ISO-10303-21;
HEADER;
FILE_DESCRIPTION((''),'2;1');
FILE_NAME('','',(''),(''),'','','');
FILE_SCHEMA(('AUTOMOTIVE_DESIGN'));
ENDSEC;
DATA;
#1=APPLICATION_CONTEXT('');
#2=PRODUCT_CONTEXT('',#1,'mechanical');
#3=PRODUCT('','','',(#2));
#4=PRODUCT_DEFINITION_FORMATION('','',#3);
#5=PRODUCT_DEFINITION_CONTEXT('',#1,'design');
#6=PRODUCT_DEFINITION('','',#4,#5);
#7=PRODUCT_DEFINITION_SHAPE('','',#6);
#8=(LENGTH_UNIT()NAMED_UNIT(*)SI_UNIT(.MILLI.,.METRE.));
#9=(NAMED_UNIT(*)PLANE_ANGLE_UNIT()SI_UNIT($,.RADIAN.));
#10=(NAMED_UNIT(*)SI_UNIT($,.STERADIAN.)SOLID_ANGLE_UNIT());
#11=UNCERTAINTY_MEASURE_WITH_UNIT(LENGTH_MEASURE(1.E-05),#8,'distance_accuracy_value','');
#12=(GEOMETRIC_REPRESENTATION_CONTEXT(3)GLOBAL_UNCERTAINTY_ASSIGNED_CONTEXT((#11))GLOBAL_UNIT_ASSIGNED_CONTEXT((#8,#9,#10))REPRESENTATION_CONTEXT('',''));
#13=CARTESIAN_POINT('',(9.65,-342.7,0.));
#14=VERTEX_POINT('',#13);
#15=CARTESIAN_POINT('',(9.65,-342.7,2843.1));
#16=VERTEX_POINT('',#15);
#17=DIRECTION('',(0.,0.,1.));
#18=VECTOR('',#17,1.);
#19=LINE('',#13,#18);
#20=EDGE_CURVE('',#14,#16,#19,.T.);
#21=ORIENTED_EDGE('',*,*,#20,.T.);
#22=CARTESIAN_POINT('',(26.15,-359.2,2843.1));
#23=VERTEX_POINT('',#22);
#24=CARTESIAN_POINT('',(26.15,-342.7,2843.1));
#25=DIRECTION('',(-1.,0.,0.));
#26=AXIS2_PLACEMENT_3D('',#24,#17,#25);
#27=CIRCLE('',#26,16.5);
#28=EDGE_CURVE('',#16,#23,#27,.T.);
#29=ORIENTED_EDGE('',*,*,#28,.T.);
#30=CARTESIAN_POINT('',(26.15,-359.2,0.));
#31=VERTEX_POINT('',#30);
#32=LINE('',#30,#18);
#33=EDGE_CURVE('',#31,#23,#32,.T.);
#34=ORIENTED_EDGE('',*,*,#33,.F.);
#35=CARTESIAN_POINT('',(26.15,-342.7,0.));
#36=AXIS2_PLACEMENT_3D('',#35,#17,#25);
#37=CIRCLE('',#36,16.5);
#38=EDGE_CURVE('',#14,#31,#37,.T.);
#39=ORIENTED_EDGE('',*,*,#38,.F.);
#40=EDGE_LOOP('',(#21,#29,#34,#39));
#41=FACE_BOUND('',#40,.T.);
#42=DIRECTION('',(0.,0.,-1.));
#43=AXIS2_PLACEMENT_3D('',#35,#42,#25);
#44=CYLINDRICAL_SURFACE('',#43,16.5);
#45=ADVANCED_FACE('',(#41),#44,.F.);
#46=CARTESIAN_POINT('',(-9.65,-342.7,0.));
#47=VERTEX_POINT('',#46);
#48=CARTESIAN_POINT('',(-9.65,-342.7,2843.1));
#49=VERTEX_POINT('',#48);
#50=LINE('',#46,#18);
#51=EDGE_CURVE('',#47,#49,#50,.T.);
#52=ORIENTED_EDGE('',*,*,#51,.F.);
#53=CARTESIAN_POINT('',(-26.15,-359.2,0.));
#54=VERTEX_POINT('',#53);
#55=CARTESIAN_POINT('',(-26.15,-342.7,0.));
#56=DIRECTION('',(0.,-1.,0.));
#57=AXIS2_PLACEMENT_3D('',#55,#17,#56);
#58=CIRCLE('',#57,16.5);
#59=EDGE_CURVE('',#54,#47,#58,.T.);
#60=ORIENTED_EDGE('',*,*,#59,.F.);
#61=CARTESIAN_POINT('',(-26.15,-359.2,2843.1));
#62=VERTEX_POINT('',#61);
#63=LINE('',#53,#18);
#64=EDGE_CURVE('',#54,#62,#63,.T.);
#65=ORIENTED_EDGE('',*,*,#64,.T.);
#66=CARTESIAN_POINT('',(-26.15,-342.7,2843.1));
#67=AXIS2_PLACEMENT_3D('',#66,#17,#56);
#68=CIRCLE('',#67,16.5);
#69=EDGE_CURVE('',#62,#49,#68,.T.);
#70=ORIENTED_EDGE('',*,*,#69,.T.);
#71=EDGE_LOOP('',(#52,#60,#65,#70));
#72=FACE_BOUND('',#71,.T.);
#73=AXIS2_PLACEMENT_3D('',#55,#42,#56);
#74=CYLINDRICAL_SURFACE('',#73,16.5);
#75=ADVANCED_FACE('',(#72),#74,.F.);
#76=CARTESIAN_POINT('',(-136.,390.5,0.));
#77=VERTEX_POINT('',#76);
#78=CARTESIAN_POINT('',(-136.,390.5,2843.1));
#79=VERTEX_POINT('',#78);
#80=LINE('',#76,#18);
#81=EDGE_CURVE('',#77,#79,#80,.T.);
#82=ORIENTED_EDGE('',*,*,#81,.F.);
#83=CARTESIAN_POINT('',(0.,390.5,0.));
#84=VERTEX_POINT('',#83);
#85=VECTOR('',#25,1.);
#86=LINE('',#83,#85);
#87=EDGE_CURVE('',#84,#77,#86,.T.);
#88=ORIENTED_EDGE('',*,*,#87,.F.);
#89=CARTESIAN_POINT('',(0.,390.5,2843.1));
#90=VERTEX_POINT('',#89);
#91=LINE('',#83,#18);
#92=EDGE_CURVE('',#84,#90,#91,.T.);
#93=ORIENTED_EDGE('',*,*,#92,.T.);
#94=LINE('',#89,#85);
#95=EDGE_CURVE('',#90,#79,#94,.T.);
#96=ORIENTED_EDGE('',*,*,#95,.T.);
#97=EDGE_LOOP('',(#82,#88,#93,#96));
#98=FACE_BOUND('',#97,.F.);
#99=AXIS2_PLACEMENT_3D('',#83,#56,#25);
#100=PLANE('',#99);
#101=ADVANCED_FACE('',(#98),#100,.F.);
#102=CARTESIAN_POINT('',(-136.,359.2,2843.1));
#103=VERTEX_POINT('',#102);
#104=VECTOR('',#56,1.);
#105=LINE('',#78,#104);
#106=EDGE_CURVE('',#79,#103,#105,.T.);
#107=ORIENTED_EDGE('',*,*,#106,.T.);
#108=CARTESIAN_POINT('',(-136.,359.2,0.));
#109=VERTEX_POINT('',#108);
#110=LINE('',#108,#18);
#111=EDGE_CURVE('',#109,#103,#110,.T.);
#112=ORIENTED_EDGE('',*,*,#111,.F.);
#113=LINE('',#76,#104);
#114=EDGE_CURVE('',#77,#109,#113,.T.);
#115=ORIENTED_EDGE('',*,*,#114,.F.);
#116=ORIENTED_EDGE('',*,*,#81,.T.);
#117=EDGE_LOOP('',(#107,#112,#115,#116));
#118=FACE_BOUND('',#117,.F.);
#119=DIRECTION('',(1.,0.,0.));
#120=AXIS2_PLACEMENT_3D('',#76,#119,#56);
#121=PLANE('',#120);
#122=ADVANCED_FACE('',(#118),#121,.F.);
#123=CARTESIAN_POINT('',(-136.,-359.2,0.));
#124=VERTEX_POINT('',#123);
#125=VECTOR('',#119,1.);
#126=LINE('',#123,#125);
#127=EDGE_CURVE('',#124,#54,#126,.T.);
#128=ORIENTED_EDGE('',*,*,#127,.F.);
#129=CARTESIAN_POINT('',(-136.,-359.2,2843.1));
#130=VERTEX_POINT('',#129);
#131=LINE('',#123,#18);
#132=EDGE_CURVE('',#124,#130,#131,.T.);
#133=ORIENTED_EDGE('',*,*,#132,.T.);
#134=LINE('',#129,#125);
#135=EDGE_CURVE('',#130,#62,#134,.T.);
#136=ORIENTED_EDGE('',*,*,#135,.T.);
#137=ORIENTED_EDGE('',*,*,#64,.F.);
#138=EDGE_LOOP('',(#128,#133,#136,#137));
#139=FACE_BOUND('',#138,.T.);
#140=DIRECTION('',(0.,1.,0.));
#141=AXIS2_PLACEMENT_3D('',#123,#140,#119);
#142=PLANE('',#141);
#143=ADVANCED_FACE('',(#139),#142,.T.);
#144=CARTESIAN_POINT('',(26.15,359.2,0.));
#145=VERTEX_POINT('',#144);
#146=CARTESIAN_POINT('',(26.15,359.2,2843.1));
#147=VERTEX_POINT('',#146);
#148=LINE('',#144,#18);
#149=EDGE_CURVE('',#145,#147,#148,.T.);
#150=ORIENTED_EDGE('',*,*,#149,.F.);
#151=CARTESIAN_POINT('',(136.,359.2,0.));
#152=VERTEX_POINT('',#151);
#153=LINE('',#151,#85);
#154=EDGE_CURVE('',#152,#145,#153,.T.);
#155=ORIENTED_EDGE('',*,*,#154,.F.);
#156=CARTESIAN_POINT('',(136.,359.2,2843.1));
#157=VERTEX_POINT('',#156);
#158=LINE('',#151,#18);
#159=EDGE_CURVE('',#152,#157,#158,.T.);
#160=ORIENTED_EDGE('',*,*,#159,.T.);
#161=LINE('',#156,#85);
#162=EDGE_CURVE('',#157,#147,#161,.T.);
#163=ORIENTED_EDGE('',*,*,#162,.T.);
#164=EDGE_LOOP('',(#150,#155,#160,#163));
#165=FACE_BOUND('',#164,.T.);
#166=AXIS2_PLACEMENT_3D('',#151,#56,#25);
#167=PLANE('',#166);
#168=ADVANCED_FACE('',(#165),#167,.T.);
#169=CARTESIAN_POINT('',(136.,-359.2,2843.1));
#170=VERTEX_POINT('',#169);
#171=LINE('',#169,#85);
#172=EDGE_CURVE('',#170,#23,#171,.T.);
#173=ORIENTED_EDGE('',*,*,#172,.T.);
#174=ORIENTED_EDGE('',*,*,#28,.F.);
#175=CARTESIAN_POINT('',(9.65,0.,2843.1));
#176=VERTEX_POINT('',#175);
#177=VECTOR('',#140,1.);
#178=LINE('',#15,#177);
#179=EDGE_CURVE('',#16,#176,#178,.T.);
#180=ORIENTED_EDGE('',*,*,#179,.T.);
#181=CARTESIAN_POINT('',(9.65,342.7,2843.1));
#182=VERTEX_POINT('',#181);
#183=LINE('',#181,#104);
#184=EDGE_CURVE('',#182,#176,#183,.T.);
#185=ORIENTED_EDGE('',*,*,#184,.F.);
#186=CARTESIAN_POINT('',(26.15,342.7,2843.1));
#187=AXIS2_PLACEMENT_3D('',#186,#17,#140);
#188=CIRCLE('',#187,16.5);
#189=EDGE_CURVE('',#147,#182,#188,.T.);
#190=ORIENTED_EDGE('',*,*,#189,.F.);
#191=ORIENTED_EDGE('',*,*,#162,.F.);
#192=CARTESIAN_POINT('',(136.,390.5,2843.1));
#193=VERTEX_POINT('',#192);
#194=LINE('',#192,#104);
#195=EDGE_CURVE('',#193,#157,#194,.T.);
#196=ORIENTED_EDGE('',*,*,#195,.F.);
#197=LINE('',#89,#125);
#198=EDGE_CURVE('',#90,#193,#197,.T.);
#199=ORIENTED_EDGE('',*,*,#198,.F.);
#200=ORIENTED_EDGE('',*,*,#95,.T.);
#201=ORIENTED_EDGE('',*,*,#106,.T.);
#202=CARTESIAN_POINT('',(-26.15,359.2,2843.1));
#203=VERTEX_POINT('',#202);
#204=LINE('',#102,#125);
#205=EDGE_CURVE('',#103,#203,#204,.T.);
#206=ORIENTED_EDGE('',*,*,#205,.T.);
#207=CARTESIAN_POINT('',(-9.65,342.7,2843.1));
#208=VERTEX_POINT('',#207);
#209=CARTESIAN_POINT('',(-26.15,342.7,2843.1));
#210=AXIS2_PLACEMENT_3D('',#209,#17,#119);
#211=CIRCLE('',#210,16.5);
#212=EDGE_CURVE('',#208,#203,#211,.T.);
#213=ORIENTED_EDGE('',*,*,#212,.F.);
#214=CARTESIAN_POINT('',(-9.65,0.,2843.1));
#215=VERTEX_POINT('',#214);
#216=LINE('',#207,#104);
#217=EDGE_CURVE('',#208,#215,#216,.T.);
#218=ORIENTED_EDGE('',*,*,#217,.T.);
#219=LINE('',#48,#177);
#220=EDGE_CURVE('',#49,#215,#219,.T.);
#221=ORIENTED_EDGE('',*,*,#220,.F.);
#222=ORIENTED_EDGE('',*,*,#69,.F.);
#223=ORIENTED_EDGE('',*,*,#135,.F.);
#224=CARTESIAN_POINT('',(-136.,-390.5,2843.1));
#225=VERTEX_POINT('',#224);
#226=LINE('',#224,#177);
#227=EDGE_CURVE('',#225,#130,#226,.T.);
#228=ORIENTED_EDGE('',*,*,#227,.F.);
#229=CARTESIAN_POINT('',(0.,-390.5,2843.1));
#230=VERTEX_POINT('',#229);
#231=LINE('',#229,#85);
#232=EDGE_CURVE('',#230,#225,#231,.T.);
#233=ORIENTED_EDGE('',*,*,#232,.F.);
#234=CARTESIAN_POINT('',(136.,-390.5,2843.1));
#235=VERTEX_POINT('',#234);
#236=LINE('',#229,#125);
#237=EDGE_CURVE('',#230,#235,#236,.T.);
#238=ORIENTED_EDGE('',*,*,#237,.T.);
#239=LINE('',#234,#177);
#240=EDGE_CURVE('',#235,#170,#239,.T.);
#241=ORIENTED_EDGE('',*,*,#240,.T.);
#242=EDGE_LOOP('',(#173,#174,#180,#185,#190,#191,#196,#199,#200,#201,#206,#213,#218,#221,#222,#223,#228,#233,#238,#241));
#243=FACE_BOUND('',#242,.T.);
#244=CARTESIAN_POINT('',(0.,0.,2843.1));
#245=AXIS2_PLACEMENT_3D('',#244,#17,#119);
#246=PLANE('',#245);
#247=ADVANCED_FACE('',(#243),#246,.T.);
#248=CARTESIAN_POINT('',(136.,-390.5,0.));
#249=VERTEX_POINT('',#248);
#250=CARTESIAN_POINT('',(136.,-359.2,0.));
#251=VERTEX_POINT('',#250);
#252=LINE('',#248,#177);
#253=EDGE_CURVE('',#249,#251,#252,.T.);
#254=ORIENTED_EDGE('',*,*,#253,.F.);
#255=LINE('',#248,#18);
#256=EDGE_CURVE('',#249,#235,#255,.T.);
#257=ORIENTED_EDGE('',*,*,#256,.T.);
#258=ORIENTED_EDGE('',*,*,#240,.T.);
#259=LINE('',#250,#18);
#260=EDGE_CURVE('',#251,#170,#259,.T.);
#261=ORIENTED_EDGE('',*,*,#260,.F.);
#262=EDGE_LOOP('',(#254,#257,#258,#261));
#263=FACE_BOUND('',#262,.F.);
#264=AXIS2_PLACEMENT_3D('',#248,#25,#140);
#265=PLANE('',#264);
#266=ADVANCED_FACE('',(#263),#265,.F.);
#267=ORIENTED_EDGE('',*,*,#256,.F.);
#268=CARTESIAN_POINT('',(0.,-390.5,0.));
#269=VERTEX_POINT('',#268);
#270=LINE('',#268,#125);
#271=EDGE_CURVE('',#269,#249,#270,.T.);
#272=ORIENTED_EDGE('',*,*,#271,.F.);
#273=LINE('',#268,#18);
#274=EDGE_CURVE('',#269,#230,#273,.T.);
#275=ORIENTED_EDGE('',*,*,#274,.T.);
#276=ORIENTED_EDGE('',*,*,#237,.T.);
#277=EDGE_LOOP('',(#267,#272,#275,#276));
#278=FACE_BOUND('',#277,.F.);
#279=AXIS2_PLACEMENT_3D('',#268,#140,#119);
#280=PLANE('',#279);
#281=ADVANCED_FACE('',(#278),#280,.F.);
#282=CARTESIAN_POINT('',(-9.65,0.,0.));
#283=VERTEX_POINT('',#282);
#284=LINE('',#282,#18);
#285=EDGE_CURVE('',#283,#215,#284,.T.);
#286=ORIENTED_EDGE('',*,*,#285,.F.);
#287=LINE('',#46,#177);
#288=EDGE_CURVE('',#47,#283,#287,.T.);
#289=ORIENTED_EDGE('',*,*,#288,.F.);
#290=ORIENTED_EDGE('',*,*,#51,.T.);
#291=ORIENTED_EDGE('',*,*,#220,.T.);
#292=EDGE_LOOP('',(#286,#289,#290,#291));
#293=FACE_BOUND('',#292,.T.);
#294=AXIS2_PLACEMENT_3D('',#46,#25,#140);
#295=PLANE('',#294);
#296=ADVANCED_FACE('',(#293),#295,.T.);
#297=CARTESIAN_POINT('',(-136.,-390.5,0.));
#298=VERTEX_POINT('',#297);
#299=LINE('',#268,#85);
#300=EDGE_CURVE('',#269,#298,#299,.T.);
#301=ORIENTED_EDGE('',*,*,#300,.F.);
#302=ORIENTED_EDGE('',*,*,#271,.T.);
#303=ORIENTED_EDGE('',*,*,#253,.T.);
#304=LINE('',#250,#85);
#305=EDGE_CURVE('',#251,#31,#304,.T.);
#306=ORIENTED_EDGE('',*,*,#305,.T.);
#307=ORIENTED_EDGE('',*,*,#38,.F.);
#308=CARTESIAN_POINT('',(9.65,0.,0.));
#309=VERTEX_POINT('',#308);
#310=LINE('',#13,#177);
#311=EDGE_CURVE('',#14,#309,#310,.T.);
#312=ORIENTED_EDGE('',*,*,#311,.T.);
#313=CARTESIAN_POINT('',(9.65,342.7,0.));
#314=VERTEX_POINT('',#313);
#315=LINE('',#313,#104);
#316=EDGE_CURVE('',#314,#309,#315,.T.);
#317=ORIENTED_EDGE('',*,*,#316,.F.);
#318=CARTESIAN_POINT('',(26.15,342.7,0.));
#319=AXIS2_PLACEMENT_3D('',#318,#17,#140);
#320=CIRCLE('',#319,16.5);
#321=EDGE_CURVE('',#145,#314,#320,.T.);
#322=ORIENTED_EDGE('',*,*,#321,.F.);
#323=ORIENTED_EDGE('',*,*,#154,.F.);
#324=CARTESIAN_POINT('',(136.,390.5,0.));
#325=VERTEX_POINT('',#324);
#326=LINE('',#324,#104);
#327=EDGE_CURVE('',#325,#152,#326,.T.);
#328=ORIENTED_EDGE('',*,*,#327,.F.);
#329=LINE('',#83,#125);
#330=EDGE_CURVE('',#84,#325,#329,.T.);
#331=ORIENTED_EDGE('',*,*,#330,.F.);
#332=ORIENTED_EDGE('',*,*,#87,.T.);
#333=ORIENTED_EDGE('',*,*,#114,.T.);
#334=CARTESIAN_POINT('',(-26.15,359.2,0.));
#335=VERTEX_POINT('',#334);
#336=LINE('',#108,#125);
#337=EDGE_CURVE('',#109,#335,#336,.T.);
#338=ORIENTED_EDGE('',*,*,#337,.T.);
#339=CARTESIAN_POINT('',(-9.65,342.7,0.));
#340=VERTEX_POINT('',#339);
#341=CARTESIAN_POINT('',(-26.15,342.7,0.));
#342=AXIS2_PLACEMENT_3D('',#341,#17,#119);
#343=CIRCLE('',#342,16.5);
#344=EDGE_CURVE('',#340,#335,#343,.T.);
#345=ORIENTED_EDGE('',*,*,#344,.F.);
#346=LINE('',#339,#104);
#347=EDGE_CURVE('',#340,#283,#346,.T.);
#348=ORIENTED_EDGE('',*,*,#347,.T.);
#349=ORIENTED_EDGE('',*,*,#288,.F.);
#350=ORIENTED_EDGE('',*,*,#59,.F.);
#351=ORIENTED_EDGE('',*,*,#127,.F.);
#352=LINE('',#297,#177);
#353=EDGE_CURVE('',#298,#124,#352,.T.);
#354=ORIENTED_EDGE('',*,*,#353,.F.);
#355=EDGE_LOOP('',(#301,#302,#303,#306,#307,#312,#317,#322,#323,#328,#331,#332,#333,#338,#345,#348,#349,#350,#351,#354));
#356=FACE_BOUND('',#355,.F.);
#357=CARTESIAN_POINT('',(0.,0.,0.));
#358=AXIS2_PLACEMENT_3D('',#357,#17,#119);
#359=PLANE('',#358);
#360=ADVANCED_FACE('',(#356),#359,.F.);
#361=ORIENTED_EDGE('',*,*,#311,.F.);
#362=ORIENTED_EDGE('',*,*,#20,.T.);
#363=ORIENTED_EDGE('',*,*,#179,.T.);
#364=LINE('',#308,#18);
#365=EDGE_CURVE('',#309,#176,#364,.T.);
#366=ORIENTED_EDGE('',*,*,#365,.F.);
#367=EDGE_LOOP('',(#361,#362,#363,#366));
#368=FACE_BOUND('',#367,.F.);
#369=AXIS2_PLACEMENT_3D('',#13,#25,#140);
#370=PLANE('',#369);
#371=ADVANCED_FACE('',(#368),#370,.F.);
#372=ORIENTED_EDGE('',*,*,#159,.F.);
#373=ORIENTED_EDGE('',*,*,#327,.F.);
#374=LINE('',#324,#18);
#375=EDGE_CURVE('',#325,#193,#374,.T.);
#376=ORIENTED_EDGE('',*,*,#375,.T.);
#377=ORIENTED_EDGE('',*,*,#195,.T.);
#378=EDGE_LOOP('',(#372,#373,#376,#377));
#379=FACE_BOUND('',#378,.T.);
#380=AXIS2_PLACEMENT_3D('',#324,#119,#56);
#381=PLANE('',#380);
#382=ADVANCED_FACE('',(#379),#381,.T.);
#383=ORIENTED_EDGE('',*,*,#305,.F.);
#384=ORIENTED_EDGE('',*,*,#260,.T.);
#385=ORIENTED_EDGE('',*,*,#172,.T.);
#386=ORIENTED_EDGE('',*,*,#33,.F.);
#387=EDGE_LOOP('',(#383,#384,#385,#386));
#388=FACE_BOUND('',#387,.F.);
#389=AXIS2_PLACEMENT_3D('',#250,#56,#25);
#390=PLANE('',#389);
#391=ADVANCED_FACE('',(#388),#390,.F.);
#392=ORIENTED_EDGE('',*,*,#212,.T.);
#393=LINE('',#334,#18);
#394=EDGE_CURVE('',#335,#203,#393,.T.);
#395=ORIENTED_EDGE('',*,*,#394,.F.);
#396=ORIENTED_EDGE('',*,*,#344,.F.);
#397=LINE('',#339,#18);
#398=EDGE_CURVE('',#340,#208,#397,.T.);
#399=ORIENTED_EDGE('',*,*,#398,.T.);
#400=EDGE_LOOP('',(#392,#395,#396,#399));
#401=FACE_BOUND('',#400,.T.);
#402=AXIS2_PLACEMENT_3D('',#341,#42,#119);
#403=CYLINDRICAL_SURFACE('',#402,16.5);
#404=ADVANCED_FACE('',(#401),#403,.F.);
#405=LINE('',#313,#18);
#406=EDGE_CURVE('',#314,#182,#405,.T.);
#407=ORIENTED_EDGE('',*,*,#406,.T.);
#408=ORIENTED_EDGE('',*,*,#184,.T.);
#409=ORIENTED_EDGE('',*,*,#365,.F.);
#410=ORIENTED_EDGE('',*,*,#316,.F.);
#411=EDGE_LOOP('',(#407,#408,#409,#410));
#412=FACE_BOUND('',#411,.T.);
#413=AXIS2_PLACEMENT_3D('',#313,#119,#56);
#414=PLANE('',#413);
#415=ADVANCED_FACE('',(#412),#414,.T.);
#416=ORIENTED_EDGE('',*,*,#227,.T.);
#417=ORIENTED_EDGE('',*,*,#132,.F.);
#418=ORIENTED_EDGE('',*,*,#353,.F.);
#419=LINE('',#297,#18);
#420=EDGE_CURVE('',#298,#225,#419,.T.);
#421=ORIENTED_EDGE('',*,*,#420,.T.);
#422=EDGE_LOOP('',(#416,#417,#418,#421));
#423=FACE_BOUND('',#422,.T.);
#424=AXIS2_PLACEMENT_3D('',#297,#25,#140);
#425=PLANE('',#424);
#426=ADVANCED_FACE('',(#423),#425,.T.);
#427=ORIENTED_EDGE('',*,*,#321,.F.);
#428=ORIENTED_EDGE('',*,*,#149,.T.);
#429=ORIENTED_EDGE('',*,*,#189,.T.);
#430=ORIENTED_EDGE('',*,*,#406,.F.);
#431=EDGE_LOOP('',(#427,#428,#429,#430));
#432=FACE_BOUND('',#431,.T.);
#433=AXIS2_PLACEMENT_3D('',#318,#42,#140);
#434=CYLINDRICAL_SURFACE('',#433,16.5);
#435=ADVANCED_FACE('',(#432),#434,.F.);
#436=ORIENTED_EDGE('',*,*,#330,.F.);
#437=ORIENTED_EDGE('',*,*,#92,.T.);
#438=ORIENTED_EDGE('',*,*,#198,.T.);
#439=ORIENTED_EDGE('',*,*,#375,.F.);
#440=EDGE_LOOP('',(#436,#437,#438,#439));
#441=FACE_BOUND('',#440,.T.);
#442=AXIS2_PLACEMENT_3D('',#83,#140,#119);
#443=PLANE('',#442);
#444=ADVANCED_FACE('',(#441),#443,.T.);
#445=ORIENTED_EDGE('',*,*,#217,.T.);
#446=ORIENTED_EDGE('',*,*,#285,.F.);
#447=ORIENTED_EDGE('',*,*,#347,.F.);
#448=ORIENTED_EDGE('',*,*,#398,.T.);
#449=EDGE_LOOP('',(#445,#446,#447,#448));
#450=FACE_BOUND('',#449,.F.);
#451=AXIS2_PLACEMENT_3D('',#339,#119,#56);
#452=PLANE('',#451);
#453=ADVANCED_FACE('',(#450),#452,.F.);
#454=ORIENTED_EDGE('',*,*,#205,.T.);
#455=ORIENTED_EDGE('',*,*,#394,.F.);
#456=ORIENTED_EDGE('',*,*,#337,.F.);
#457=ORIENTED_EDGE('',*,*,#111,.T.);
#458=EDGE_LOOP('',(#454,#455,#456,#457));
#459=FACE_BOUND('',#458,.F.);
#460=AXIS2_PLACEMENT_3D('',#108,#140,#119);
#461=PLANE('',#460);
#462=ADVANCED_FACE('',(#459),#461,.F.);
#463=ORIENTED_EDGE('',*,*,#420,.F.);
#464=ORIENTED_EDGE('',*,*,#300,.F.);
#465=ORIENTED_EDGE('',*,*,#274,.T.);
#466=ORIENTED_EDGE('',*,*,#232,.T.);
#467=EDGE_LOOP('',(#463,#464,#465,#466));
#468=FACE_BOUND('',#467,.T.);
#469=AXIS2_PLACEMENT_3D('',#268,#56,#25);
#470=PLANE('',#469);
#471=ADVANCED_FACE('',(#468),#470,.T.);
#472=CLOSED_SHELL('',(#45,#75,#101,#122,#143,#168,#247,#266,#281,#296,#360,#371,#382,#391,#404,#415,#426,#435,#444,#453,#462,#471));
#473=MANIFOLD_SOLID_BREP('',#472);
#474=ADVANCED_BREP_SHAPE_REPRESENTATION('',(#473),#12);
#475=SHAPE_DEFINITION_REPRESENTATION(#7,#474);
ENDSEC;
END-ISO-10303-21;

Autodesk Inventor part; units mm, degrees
ref_plane "YZ Plane" through (0, 0, 0) normal (1, 0, 0) x (0, 1, 0)
ref_plane "Start plane" through (0, 0, 0) normal (0, 0, 1) x (1, 0, 0)
ref_plane "End plane" through (0, 0, 2843.1) normal (0, 0, 1) x (1, 0, 0)
sketch "Sketch" plane through (0, 0, 0) normal (0, 0, 1) x (1, 0, 0)
  line L0 (-136, -390.5) -> (-136, -359.2)
  line L1 (-136, -359.2) -> (-26.15, -359.2)
  line L2 (-9.65, -342.7) -> (-9.65, 0)
  line L3 (-9.65, 0) -> (0, 0) construction
  line L4 (0, 0) -> (0, -390.5) construction
  line L5 (0, -390.5) -> (-136, -390.5)
  line L6 (-60, 0) -> (80, 0) construction
  line L7 (0, -60) -> (0, 80) construction
  line L8 (136, -390.5) -> (136, -359.2)
  line L9 (136, -359.2) -> (26.15, -359.2)
  line L10 (9.65, -342.7) -> (9.65, 0)
  line L11 (9.65, 0) -> (0, 0) construction
  line L12 (0, -390.5) -> (136, -390.5)
  line L13 (-136, 390.5) -> (-136, 359.2)
  line L14 (-136, 359.2) -> (-26.15, 359.2)
  line L15 (-9.65, 342.7) -> (-9.65, 0)
  line L16 (0, 390.5) -> (-136, 390.5)
  line L17 (136, 390.5) -> (136, 359.2)
  line L18 (136, 359.2) -> (26.15, 359.2)
  line L19 (0, 390.5) -> (136, 390.5)
  line L20 (9.65, 342.7) -> (9.65, 0)
  arc A0 (-9.65, 342.7) -> (-26.15, 359.2) centre (-26.15, 342.7) ccw
  arc A1 (26.15, 359.2) -> (9.65, 342.7) centre (26.15, 342.7) ccw
  arc A2 (9.65, -342.7) -> (26.15, -359.2) centre (26.15, -342.7) ccw
  arc A3 (-26.15, -359.2) -> (-9.65, -342.7) centre (-26.15, -342.7) ccw
  line L21 (0, 108) -> (0, -88) construction
  line L22 (-88, 0) -> (108, 0) construction
  point P0 (-9.65, -359.2)
  point P1 (9.65, -359.2)
  point P2 (-9.65, 359.2)
  point P3 (9.65, 359.2)
  dimension "d1" = 390.5
  dimension "d2" = 31.3
  dimension "d3" = 136
  dimension "d4" = 9.65
  dimension "d10" = 16.5
extrude "Body" add sketch "Sketch" along normal up to surface (2843.1 mm away) from surface at 0
sketch "Sketch4" plane through (0, 0, 0) normal (0, 0, 1) x (1, 0, 0)
  line L0 (0, 0) -> (10, 0)
ref_plane "Work Plane3" through (0, 0, 0) normal (0, -1, 0) x (1, 0, 0)
sketch "Sketch5" plane through (0, 0, 0) normal (0, -1, 0) x (1, 0, 0)
  line L0 (-2, 0) -> (12, 0) projected
  line L1 (-2, 2843.1) -> (12, 2843.1) projected
  dimension "d14" = 2843.1
equation "\"d1\" = 0.5 * G_H"
equation "\"d2\" = G_T1"
equation "\"d3\" = 0.5 * G_W"
equation "\"d4\" = 0.5 * G_T"
equation "\"d10\" = G_IR"
equation "\"d5\" = G_L"
equation "\"G_W\" = 272"
equation "\"G_H\" = 781"
equation "\"G_T\" = 19.3"
equation "\"G_T1\" = 31.3"
equation "\"G_IR\" = 16.5"
equation "\"G_L\" = d14"
equation "\"G_OFFSET_START\" = 0"
equation "\"G_OFFSET_END\" = 0"
equation "\"d12\" = G_OFFSET_END + B_L"
equation "\"B_L\" = 2843.1"
properties part number "AS 3679-1990 - 760 UB - 244 - 2843.1" material "Steel, Mild"
